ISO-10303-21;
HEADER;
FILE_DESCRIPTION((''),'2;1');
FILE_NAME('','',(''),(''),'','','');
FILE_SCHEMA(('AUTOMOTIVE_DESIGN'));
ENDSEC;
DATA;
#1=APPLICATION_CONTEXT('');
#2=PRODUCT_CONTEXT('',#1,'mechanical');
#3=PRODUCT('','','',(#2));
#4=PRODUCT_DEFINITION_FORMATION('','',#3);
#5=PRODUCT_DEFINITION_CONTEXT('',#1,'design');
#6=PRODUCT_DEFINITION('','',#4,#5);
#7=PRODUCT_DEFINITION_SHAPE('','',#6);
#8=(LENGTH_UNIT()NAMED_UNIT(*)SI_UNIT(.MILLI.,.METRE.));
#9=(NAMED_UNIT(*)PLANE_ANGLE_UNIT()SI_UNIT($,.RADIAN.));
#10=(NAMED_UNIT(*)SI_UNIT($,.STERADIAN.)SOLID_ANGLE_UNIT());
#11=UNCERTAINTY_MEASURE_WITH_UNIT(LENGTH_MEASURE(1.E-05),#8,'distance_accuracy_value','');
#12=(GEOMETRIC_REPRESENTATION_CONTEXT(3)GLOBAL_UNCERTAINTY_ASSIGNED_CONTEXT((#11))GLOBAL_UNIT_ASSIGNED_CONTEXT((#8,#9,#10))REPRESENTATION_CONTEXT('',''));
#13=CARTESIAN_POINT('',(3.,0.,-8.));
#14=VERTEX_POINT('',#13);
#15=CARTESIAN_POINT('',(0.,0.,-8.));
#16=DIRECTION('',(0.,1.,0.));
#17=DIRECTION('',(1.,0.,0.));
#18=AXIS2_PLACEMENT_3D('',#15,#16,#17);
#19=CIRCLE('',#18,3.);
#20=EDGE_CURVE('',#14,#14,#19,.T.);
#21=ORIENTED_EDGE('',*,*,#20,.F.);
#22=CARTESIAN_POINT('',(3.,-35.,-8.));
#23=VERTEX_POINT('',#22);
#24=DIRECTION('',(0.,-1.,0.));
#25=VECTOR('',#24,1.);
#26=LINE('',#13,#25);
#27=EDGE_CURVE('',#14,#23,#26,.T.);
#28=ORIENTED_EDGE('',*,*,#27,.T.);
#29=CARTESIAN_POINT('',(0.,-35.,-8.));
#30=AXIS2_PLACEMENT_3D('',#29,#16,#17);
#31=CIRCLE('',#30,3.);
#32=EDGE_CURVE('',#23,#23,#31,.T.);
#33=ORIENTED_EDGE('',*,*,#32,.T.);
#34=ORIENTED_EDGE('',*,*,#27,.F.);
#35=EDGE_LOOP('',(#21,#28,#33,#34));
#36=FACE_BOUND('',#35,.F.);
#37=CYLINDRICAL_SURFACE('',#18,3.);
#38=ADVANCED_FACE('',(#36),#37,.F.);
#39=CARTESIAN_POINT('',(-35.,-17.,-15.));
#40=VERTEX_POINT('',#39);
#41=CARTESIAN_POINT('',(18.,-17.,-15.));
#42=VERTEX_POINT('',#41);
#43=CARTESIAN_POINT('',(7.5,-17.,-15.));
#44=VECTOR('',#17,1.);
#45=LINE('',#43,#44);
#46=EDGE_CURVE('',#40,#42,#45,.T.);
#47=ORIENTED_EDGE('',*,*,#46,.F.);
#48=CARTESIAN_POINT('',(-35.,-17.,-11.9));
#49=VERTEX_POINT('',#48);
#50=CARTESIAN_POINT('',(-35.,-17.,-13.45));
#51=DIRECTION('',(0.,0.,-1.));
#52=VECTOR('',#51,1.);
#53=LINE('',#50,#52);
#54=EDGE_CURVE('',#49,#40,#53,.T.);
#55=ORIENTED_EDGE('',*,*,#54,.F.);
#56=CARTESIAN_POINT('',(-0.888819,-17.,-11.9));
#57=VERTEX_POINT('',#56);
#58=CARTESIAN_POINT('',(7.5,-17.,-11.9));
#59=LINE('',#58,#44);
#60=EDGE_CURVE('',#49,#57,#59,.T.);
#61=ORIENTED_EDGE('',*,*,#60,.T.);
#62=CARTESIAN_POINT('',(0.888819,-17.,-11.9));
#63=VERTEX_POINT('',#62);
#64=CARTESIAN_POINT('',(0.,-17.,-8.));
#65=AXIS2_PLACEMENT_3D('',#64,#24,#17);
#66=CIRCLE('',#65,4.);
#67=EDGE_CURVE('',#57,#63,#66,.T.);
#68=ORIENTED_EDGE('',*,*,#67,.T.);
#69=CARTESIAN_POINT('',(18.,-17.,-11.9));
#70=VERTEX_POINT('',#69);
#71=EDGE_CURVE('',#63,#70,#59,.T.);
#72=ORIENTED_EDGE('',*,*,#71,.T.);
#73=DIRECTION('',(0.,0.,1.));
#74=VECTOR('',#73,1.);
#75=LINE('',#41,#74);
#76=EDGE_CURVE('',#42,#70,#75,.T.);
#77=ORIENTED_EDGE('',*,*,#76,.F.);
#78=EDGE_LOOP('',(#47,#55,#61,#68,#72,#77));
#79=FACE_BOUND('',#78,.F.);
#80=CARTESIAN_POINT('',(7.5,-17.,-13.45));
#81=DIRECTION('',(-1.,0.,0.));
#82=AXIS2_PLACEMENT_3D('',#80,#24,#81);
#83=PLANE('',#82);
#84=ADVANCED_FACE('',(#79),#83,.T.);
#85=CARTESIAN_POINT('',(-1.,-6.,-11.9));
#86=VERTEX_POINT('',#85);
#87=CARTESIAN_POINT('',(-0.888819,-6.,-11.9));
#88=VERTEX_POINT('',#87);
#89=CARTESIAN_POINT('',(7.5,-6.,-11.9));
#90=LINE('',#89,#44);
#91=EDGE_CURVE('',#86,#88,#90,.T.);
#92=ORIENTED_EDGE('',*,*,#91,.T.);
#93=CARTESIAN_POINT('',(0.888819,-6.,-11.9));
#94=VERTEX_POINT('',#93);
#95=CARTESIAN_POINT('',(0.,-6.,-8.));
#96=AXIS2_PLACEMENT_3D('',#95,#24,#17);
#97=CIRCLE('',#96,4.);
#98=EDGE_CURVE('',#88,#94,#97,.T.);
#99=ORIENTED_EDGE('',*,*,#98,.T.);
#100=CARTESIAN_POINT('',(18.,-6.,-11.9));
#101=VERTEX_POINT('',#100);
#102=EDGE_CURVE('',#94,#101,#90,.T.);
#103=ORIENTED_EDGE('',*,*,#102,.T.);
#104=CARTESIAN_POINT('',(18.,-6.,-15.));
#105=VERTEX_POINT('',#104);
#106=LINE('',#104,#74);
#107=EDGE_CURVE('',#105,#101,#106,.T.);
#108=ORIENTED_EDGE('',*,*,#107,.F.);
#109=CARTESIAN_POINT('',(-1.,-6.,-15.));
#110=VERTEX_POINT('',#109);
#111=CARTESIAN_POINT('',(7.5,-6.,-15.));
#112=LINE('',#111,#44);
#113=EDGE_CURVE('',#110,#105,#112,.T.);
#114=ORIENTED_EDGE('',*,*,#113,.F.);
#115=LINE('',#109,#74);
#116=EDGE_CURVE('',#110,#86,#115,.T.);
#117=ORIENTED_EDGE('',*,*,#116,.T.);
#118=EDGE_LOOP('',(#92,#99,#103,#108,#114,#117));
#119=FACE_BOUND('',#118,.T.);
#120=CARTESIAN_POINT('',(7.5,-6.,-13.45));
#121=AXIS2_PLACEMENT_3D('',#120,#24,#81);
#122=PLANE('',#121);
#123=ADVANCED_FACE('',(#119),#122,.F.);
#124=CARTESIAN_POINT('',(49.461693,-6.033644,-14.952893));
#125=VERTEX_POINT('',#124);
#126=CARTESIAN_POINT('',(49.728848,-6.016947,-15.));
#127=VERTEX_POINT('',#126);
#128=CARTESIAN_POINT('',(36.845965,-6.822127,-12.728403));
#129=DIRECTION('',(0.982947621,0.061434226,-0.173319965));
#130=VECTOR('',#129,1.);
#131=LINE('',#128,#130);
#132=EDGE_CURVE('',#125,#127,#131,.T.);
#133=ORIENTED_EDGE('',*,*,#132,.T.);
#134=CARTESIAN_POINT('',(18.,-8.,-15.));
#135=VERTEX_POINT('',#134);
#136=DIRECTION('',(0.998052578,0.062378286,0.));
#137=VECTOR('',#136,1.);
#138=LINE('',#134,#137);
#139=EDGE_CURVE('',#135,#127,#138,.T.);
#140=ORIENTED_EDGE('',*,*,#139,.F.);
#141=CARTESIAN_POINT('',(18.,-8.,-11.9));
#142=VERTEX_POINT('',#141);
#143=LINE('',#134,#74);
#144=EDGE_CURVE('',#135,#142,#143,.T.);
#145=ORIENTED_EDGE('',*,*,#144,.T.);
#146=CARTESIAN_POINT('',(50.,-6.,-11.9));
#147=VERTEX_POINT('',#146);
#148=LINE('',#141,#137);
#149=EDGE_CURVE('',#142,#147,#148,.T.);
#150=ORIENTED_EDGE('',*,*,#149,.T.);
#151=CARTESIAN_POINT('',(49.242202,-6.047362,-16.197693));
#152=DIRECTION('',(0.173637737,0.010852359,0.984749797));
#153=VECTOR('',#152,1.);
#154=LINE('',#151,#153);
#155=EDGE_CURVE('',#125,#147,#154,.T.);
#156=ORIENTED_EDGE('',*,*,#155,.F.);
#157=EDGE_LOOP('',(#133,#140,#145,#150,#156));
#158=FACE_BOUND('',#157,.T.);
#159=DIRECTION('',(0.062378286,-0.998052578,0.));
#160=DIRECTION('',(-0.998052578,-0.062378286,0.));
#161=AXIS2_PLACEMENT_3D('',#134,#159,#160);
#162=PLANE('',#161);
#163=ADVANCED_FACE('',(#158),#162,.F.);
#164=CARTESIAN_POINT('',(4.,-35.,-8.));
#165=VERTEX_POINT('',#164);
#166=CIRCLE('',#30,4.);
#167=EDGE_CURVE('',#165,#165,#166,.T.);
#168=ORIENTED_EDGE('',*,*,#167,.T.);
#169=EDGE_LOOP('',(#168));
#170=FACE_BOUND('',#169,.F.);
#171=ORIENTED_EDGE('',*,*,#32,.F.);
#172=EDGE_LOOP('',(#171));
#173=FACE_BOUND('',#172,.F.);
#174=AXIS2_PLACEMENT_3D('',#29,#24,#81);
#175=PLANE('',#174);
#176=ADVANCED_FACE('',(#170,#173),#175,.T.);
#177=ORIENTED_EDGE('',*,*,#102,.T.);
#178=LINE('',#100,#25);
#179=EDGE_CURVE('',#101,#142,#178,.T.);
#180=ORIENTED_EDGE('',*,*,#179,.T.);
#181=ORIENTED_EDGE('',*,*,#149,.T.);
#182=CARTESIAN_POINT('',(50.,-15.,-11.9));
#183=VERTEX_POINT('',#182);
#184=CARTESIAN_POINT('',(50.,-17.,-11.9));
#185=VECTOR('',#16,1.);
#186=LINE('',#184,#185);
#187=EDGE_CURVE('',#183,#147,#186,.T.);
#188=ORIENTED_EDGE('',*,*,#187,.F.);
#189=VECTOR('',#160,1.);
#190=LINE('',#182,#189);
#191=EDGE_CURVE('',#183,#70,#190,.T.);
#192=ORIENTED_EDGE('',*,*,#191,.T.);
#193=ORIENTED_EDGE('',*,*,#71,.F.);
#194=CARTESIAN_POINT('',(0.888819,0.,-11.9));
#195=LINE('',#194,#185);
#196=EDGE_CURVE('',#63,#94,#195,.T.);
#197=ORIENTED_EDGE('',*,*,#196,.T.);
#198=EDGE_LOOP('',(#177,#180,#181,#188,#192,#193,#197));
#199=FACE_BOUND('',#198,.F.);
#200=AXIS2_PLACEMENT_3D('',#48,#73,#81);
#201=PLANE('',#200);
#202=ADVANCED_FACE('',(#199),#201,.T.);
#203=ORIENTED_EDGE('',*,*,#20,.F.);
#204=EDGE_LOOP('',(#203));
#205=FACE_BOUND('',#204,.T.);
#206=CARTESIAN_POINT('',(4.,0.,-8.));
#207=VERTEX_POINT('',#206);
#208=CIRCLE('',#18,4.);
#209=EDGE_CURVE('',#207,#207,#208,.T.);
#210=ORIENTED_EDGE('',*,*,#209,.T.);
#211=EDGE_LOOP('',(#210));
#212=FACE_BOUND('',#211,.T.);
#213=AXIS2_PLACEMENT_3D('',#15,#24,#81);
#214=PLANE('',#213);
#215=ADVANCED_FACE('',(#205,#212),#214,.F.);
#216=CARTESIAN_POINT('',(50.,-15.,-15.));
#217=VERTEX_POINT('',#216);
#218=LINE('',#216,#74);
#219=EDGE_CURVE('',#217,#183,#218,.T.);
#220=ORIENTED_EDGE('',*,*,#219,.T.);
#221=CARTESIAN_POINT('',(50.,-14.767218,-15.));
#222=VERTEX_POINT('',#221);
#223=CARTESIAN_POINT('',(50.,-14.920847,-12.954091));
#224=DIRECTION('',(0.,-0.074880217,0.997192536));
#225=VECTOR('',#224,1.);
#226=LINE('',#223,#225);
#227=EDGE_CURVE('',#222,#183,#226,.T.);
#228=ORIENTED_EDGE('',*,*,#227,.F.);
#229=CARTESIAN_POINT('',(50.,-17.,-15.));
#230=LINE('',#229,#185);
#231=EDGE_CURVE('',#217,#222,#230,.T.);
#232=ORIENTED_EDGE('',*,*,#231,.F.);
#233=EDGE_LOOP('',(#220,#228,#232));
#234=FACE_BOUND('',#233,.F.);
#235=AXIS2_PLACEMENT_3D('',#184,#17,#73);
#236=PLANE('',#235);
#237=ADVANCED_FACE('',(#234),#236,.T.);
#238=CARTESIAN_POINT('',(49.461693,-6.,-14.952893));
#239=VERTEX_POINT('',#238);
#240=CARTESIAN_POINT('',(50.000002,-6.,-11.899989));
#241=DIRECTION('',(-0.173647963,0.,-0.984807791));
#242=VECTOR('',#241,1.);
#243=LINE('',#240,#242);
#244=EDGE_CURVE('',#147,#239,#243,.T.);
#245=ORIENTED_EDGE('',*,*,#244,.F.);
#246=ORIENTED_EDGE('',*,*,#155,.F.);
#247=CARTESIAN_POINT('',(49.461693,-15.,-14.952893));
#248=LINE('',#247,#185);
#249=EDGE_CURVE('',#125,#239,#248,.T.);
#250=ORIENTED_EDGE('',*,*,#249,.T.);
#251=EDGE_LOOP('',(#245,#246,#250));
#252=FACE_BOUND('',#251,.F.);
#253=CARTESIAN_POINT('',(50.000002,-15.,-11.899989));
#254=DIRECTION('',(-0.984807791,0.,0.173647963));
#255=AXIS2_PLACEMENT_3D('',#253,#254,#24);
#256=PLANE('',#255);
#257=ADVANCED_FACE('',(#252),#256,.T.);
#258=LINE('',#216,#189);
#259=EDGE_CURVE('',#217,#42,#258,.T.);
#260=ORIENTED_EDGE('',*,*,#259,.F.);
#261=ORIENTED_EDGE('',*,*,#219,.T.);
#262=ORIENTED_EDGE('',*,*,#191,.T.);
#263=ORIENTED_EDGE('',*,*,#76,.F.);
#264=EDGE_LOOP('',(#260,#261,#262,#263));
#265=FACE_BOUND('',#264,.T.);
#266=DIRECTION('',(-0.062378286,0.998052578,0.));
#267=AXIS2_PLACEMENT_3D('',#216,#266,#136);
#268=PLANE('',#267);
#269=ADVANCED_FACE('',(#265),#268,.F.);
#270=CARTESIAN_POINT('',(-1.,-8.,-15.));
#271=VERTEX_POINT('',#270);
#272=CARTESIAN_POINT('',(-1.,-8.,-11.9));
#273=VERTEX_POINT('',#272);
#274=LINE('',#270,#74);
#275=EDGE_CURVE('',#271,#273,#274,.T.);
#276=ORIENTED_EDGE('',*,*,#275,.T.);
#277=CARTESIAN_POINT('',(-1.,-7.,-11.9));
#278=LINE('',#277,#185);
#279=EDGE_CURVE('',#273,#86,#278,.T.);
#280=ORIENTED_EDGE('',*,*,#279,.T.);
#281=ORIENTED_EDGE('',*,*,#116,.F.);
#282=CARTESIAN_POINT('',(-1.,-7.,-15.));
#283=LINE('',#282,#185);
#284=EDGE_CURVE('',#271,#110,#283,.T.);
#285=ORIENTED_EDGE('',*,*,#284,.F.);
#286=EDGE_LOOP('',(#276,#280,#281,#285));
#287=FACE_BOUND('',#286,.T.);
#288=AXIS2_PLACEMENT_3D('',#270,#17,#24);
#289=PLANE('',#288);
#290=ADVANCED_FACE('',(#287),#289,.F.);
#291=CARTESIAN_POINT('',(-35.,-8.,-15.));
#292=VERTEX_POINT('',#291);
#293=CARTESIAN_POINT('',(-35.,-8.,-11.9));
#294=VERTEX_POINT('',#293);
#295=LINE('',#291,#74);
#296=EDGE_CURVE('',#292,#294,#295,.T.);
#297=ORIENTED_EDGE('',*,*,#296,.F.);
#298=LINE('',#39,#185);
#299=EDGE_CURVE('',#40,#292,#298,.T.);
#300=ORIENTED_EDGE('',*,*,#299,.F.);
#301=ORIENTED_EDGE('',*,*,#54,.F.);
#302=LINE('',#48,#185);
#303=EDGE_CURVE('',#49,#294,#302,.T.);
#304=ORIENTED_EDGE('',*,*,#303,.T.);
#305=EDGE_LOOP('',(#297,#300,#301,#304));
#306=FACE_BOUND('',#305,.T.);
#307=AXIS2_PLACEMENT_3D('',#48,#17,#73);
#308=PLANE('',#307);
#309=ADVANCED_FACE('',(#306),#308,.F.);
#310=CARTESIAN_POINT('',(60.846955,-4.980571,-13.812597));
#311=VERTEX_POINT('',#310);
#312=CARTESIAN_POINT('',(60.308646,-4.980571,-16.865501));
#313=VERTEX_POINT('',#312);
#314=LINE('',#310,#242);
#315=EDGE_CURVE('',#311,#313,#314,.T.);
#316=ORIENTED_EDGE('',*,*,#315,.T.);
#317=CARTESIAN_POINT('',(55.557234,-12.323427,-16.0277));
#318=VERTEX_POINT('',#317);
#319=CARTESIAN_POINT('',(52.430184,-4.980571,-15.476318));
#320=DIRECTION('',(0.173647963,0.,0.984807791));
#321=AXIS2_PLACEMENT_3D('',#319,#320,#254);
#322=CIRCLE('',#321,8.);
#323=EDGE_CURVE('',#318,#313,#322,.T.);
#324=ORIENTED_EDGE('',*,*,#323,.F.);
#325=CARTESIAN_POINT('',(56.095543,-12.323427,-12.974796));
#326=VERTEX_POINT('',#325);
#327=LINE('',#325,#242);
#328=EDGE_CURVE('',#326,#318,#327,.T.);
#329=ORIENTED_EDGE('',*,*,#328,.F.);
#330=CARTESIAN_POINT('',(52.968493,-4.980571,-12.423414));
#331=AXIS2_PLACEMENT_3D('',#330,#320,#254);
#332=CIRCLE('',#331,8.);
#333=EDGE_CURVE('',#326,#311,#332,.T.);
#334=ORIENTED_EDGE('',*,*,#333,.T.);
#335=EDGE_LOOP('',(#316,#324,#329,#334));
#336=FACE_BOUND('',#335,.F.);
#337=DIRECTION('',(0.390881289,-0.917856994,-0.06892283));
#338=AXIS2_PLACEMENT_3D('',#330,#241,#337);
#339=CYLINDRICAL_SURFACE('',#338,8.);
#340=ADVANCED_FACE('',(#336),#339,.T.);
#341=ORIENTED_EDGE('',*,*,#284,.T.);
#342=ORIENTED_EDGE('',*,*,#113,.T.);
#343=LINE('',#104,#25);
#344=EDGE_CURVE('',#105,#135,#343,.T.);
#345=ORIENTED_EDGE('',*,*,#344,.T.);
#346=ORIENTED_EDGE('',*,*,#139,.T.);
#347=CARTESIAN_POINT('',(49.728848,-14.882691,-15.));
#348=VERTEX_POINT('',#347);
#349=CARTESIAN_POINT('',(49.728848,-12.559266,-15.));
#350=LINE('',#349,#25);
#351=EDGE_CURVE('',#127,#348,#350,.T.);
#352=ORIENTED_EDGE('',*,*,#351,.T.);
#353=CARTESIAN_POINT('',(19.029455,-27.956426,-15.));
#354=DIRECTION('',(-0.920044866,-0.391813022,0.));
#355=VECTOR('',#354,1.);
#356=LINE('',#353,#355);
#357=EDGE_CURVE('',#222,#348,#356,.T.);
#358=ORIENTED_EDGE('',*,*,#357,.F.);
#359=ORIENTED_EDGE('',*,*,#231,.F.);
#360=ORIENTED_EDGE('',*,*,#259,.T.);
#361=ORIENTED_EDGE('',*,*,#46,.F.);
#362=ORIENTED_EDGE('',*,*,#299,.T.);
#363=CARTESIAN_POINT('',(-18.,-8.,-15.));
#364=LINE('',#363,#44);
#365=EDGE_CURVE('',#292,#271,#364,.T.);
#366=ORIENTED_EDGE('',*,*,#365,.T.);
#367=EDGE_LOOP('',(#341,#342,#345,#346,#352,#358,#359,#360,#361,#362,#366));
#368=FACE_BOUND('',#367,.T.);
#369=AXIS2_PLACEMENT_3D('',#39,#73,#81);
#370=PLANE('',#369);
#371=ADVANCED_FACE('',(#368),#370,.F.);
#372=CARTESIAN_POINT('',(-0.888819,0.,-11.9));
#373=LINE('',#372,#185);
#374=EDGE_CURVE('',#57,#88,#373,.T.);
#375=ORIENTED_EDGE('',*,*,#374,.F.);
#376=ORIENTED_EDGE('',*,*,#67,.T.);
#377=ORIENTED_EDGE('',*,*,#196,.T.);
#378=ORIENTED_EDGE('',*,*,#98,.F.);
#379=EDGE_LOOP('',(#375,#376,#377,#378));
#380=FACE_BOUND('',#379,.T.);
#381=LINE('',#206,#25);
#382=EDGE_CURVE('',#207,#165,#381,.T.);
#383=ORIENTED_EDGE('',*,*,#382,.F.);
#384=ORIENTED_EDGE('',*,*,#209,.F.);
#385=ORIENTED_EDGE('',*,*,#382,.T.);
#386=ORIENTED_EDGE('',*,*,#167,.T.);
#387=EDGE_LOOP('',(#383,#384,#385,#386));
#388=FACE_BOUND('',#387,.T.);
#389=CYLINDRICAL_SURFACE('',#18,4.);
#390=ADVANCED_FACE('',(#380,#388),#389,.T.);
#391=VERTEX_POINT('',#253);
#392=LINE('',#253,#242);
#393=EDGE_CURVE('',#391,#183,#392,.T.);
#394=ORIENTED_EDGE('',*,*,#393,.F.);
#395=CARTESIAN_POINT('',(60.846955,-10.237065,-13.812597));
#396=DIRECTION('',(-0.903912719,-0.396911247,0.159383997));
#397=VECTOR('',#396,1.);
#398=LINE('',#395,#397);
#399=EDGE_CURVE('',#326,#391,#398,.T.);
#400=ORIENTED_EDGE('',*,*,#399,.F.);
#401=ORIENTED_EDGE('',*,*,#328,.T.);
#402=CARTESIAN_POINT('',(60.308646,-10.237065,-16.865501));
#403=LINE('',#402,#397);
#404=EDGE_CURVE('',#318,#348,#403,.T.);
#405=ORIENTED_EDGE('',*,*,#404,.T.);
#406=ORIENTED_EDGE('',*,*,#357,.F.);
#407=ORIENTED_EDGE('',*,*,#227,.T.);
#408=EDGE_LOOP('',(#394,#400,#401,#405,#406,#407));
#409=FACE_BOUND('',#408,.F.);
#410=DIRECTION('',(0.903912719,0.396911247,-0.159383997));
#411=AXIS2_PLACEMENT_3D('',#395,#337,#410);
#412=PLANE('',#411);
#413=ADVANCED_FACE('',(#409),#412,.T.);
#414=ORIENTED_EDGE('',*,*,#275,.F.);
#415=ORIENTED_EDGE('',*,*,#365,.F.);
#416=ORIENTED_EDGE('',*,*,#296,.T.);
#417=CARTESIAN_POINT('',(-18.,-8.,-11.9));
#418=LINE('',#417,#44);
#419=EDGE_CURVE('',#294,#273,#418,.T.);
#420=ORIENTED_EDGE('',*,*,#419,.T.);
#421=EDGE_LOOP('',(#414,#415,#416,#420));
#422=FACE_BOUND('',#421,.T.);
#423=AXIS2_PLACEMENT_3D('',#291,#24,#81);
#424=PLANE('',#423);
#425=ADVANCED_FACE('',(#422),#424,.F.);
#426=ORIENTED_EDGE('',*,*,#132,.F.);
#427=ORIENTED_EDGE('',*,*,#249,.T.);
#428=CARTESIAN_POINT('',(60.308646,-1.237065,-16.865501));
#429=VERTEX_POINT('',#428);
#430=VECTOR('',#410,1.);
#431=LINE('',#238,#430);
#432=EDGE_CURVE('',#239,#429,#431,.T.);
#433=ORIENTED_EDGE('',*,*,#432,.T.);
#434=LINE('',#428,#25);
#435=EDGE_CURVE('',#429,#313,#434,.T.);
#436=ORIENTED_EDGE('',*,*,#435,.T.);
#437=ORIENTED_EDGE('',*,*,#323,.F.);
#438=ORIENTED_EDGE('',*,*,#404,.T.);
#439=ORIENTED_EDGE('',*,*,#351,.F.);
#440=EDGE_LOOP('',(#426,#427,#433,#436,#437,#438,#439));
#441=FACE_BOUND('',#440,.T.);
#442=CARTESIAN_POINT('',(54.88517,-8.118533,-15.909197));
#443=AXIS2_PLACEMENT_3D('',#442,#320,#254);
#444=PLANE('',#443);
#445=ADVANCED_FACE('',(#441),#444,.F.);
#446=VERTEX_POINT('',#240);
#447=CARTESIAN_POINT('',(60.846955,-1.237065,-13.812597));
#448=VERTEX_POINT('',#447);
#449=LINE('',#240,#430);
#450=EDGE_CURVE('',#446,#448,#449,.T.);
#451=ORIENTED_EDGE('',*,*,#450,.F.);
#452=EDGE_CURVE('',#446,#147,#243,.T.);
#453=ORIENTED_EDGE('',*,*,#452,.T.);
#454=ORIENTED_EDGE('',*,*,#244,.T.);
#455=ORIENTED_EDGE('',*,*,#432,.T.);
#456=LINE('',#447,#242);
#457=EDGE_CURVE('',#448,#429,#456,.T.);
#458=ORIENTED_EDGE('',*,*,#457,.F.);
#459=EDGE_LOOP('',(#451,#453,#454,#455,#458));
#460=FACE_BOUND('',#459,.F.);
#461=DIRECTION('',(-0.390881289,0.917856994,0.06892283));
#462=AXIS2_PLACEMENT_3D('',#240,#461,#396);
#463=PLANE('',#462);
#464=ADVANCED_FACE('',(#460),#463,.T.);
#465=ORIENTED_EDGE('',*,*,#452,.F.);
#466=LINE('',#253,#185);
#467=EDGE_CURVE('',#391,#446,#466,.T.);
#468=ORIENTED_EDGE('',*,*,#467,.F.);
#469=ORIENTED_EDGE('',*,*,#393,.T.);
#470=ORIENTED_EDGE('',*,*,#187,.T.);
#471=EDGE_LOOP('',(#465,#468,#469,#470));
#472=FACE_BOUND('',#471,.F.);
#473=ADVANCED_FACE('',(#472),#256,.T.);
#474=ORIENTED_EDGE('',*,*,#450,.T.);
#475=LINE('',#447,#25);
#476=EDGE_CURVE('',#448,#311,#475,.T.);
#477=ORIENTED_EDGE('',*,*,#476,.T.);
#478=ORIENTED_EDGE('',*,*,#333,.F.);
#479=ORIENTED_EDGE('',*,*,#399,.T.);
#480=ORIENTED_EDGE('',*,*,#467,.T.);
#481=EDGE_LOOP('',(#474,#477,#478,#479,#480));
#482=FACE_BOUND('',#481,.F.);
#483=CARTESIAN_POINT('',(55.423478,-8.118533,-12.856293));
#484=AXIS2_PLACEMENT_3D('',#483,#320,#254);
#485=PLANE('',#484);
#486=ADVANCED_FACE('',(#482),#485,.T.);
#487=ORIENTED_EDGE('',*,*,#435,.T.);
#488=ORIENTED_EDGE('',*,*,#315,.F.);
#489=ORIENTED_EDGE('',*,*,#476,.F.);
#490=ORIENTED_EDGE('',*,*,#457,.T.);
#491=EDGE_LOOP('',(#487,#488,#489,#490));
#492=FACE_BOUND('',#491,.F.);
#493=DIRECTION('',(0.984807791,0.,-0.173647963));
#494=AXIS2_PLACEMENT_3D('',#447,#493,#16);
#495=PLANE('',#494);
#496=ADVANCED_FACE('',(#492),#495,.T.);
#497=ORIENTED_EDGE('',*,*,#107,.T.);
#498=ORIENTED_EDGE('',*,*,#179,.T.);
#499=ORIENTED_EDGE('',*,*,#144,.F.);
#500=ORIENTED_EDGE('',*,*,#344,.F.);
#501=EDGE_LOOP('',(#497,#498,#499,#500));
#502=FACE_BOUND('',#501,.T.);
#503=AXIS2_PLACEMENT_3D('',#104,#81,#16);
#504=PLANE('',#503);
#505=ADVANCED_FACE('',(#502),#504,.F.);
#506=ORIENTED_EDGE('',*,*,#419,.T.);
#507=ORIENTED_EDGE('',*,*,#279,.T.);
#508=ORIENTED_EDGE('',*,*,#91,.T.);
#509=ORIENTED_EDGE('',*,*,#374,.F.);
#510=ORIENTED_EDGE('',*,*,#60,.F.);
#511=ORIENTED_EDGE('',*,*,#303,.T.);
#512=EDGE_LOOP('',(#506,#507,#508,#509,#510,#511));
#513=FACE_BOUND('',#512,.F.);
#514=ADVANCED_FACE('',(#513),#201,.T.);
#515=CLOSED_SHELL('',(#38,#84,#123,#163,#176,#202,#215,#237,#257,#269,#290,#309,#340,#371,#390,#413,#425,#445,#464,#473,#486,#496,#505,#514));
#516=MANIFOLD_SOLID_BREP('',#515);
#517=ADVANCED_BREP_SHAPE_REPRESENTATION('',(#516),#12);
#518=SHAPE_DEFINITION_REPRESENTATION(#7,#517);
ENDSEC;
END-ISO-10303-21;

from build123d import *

# Parameters (mm, degrees)
F0_R     = 4
F0_R_2   = 3
F1_DEPTH = 35
F3_W     = 85
F3_H     = 3.1
F4_DEPTH = 11
F5_W     = 34
F5_H     = 2
F6_DEPTH = 3.1
F9_DEPTH = 3.1
F10_R    = 8


with BuildPart() as f1:
    # F0 (on Front) → F1 (new body)
    with BuildSketch(Plane.XZ):
        Circle(F0_R)
        Circle(F0_R_2, mode=Mode.SUBTRACT)
    extrude(amount=F1_DEPTH)

    # F3 (on offset) → F4 (join)
    with BuildSketch(Plane.XZ.offset(17)):
        with Locations((7.5, 5.45)):
            Rectangle(F3_W, F3_H)
    extrude(amount=-F4_DEPTH)

    # F5 (on face) → F6 (cut)
    with BuildSketch(Plane.XY.offset(7)):
        with Locations((-18, -7)):
            Rectangle(F5_W, F5_H)
        Polygon((50, -6), (18, -6), (18, -8), align=None)
        Polygon((50, -15), (18, -17), (50, -17), align=None)
    extrude(amount=-F6_DEPTH, mode=Mode.SUBTRACT)

    # F8 (on face) → F9 (join)
    with BuildSketch(Plane(origin=(0.840745, 0, -4.768103), x_dir=(0.984808, 0, 0.173648), z_dir=(0.173648, 0, -0.984808))):
        Polygon((60.9319, 10.237065), (49.917616, 15), (49.917616, 6), (60.9319, 1.237065), align=None)
    extrude(amount=-F9_DEPTH)

    # F10
    f10_edges = [f1.edges().sort_by_distance(p)[0] for p in [
        (60.577798, -10.237065, 7.339062),
    ]]
    fillet(f10_edges, radius=F10_R)


with BuildPart() as f12_1:
    # F12: instance of F1
    add(f1.part.mirror(Plane.XY.offset(-4)))


solid = f12_1.part
